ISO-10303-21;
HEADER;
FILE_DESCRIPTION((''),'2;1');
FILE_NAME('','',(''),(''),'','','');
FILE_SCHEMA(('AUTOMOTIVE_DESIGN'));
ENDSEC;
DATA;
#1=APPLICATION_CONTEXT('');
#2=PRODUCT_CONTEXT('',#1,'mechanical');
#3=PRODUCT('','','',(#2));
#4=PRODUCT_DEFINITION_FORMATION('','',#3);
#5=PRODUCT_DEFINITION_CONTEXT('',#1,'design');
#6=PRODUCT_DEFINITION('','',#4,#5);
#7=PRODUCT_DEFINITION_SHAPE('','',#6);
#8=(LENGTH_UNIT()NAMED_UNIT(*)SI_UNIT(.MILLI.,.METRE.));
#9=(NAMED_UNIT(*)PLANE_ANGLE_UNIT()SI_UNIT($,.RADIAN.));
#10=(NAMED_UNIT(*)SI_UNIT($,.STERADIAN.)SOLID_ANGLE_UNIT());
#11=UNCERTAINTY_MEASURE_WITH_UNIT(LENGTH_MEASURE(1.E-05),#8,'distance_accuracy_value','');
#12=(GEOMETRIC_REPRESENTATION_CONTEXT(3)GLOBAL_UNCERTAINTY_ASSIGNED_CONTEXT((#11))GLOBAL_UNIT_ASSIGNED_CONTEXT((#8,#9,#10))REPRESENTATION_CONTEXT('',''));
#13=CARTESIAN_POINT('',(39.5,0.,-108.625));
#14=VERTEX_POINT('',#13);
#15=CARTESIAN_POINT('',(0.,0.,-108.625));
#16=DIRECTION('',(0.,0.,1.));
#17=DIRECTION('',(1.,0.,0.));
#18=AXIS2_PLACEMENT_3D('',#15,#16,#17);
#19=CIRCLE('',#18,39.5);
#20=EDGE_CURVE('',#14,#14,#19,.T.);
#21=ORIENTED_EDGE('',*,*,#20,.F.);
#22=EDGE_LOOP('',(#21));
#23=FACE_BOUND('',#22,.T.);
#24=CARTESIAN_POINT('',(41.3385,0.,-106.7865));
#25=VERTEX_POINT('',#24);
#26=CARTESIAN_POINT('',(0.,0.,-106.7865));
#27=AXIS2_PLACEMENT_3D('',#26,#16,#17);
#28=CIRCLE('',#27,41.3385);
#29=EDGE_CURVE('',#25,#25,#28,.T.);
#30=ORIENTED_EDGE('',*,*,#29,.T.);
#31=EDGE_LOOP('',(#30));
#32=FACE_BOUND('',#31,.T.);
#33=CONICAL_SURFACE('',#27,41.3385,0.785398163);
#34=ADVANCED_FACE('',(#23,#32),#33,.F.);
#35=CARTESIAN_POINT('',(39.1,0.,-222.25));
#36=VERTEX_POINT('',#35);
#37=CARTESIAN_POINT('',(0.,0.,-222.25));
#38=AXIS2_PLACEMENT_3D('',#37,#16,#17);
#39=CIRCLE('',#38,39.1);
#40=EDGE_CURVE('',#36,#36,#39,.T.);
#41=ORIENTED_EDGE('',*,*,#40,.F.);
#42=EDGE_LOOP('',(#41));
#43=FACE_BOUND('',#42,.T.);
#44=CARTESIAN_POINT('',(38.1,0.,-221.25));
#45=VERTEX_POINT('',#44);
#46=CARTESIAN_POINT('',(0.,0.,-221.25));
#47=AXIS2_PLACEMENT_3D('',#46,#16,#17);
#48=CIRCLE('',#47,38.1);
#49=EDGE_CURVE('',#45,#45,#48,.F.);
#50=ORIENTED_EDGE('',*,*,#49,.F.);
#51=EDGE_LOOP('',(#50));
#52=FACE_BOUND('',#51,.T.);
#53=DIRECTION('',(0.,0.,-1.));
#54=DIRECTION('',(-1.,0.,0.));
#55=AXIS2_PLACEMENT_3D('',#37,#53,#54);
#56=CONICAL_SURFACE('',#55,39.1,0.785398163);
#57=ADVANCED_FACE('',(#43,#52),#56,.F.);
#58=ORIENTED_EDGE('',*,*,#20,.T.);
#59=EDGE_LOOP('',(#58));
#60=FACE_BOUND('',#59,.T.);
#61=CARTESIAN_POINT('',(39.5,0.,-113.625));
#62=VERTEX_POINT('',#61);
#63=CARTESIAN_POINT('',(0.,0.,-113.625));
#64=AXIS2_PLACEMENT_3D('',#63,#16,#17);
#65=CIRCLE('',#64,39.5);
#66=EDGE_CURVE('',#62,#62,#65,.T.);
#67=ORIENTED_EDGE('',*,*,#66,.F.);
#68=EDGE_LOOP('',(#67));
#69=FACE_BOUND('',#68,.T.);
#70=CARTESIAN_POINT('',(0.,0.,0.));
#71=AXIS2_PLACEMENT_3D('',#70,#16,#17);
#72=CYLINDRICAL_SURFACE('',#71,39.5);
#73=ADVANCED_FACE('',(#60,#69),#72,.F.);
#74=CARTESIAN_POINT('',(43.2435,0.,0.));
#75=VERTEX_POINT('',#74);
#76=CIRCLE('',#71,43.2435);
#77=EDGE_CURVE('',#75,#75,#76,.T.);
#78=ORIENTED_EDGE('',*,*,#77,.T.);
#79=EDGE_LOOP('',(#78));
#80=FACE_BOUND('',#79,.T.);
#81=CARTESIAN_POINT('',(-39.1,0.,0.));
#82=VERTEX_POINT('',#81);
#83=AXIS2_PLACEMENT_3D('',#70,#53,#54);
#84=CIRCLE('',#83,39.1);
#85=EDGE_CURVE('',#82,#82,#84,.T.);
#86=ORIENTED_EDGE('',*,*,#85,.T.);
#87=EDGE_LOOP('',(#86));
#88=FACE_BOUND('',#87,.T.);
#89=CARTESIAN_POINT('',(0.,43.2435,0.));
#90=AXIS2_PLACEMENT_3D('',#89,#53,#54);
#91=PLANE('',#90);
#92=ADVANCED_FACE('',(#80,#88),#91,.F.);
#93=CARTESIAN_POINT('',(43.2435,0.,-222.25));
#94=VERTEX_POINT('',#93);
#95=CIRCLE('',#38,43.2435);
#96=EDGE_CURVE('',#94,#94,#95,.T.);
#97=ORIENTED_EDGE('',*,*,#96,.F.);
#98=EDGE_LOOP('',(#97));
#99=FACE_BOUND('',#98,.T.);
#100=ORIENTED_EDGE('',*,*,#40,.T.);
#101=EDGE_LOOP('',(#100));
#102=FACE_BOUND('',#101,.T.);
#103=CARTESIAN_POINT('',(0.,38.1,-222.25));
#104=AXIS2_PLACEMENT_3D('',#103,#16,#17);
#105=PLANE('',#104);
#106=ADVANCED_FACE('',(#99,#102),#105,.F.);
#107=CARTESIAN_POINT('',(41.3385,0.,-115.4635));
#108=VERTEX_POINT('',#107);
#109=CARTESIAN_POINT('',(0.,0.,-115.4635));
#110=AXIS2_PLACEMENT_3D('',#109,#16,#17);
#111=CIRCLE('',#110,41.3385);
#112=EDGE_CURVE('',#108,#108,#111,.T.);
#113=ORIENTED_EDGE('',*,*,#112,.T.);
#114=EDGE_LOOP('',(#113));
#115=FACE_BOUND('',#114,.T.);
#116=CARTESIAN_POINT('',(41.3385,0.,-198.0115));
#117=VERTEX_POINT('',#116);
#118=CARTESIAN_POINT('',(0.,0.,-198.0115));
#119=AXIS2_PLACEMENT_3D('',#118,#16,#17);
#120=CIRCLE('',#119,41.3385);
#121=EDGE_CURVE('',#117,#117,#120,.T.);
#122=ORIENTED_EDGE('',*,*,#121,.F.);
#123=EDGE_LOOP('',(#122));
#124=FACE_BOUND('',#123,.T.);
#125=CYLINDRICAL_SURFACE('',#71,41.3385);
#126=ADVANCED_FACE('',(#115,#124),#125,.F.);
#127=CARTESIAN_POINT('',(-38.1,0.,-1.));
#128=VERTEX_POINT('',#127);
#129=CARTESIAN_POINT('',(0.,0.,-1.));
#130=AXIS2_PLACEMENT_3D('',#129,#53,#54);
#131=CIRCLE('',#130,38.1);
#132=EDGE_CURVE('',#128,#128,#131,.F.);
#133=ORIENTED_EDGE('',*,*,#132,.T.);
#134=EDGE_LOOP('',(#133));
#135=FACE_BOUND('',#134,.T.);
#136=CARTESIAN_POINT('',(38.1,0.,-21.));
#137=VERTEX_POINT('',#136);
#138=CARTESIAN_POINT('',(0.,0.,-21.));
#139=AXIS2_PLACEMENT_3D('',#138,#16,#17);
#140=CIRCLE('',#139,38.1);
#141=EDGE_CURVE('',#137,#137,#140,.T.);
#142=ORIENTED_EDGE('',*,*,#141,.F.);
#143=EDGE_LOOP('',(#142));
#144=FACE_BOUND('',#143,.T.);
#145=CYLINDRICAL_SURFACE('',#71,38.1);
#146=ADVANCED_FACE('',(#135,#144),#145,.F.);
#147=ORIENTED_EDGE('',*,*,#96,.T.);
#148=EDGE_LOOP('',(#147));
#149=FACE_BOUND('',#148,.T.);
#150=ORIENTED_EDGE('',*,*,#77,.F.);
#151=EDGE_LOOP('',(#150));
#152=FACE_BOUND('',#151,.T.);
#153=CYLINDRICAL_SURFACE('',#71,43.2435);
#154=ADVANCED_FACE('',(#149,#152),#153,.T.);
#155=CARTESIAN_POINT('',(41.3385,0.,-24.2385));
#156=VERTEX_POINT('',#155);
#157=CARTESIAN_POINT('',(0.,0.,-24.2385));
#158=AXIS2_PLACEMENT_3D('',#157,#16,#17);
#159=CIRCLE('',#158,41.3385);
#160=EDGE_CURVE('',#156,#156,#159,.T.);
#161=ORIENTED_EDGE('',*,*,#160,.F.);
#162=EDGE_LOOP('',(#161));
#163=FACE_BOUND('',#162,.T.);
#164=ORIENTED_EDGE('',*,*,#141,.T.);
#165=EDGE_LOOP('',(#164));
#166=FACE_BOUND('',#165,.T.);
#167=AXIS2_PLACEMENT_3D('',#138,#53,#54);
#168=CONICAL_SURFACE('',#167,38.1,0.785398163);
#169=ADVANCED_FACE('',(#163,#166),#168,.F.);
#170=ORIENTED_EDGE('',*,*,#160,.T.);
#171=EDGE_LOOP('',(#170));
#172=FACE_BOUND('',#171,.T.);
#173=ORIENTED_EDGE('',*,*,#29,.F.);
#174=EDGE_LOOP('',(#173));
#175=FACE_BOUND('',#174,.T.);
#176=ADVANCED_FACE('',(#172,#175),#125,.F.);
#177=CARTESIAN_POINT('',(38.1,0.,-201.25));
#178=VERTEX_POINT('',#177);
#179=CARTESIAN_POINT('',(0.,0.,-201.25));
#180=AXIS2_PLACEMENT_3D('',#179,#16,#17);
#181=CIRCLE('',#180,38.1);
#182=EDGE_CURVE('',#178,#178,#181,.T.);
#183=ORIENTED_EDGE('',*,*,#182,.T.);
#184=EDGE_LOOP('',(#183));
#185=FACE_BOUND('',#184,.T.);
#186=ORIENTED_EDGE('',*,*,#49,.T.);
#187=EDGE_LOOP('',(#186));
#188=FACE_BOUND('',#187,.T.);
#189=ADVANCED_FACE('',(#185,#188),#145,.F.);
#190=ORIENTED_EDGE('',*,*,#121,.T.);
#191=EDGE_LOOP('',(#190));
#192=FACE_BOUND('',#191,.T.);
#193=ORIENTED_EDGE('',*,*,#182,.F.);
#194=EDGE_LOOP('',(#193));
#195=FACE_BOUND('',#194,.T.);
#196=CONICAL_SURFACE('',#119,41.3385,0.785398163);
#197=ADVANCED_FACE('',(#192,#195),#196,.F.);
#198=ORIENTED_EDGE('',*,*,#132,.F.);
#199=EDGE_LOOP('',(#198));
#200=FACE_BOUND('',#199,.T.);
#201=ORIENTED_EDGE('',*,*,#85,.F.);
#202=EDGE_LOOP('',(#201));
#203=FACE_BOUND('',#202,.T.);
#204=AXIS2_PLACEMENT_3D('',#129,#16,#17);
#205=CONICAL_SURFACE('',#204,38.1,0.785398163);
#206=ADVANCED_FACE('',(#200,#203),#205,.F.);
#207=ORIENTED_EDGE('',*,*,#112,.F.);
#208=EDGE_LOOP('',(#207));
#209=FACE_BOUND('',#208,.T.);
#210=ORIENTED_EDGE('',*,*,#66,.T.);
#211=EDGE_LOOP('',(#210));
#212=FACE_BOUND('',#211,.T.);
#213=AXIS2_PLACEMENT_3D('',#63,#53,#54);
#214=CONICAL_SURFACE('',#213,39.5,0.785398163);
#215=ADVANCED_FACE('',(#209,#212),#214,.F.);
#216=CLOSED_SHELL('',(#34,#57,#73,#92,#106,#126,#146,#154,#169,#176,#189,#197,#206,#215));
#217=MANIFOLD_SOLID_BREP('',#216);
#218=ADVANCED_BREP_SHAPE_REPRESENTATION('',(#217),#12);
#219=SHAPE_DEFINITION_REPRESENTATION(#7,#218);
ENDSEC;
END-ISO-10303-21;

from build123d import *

# Parameters (mm, degrees)
CHAMFER1_SIZE = 1


with BuildPart() as part:
    # Sketch1 → Revolve1 (revolve)
    with BuildSketch(Plane(origin=(0, 0, 0), x_dir=(0, 0, -1), z_dir=(1, 0, 0))):
        Polygon((0, 43.2435), (222.25, 43.2435), (222.25, 38.1), (201.25, 38.1), (198.0115, 41.3385), (115.4635, 41.3385), (113.625, 39.5), (108.625, 39.5), (106.7865, 41.3385), (24.2385, 41.3385), (21, 38.1), (0, 38.1), align=None)
    revolve(axis=Axis((0, 0, 0), (0, 0, -1)))

    # Chamfer1
    chamfer1_edges = [part.edges().sort_by_distance(p)[0] for p in [
        (0, -38.1, 0),
        (0, -38.1, -222.25),
    ]]
    chamfer(chamfer1_edges, length=CHAMFER1_SIZE)


solid = part.part
